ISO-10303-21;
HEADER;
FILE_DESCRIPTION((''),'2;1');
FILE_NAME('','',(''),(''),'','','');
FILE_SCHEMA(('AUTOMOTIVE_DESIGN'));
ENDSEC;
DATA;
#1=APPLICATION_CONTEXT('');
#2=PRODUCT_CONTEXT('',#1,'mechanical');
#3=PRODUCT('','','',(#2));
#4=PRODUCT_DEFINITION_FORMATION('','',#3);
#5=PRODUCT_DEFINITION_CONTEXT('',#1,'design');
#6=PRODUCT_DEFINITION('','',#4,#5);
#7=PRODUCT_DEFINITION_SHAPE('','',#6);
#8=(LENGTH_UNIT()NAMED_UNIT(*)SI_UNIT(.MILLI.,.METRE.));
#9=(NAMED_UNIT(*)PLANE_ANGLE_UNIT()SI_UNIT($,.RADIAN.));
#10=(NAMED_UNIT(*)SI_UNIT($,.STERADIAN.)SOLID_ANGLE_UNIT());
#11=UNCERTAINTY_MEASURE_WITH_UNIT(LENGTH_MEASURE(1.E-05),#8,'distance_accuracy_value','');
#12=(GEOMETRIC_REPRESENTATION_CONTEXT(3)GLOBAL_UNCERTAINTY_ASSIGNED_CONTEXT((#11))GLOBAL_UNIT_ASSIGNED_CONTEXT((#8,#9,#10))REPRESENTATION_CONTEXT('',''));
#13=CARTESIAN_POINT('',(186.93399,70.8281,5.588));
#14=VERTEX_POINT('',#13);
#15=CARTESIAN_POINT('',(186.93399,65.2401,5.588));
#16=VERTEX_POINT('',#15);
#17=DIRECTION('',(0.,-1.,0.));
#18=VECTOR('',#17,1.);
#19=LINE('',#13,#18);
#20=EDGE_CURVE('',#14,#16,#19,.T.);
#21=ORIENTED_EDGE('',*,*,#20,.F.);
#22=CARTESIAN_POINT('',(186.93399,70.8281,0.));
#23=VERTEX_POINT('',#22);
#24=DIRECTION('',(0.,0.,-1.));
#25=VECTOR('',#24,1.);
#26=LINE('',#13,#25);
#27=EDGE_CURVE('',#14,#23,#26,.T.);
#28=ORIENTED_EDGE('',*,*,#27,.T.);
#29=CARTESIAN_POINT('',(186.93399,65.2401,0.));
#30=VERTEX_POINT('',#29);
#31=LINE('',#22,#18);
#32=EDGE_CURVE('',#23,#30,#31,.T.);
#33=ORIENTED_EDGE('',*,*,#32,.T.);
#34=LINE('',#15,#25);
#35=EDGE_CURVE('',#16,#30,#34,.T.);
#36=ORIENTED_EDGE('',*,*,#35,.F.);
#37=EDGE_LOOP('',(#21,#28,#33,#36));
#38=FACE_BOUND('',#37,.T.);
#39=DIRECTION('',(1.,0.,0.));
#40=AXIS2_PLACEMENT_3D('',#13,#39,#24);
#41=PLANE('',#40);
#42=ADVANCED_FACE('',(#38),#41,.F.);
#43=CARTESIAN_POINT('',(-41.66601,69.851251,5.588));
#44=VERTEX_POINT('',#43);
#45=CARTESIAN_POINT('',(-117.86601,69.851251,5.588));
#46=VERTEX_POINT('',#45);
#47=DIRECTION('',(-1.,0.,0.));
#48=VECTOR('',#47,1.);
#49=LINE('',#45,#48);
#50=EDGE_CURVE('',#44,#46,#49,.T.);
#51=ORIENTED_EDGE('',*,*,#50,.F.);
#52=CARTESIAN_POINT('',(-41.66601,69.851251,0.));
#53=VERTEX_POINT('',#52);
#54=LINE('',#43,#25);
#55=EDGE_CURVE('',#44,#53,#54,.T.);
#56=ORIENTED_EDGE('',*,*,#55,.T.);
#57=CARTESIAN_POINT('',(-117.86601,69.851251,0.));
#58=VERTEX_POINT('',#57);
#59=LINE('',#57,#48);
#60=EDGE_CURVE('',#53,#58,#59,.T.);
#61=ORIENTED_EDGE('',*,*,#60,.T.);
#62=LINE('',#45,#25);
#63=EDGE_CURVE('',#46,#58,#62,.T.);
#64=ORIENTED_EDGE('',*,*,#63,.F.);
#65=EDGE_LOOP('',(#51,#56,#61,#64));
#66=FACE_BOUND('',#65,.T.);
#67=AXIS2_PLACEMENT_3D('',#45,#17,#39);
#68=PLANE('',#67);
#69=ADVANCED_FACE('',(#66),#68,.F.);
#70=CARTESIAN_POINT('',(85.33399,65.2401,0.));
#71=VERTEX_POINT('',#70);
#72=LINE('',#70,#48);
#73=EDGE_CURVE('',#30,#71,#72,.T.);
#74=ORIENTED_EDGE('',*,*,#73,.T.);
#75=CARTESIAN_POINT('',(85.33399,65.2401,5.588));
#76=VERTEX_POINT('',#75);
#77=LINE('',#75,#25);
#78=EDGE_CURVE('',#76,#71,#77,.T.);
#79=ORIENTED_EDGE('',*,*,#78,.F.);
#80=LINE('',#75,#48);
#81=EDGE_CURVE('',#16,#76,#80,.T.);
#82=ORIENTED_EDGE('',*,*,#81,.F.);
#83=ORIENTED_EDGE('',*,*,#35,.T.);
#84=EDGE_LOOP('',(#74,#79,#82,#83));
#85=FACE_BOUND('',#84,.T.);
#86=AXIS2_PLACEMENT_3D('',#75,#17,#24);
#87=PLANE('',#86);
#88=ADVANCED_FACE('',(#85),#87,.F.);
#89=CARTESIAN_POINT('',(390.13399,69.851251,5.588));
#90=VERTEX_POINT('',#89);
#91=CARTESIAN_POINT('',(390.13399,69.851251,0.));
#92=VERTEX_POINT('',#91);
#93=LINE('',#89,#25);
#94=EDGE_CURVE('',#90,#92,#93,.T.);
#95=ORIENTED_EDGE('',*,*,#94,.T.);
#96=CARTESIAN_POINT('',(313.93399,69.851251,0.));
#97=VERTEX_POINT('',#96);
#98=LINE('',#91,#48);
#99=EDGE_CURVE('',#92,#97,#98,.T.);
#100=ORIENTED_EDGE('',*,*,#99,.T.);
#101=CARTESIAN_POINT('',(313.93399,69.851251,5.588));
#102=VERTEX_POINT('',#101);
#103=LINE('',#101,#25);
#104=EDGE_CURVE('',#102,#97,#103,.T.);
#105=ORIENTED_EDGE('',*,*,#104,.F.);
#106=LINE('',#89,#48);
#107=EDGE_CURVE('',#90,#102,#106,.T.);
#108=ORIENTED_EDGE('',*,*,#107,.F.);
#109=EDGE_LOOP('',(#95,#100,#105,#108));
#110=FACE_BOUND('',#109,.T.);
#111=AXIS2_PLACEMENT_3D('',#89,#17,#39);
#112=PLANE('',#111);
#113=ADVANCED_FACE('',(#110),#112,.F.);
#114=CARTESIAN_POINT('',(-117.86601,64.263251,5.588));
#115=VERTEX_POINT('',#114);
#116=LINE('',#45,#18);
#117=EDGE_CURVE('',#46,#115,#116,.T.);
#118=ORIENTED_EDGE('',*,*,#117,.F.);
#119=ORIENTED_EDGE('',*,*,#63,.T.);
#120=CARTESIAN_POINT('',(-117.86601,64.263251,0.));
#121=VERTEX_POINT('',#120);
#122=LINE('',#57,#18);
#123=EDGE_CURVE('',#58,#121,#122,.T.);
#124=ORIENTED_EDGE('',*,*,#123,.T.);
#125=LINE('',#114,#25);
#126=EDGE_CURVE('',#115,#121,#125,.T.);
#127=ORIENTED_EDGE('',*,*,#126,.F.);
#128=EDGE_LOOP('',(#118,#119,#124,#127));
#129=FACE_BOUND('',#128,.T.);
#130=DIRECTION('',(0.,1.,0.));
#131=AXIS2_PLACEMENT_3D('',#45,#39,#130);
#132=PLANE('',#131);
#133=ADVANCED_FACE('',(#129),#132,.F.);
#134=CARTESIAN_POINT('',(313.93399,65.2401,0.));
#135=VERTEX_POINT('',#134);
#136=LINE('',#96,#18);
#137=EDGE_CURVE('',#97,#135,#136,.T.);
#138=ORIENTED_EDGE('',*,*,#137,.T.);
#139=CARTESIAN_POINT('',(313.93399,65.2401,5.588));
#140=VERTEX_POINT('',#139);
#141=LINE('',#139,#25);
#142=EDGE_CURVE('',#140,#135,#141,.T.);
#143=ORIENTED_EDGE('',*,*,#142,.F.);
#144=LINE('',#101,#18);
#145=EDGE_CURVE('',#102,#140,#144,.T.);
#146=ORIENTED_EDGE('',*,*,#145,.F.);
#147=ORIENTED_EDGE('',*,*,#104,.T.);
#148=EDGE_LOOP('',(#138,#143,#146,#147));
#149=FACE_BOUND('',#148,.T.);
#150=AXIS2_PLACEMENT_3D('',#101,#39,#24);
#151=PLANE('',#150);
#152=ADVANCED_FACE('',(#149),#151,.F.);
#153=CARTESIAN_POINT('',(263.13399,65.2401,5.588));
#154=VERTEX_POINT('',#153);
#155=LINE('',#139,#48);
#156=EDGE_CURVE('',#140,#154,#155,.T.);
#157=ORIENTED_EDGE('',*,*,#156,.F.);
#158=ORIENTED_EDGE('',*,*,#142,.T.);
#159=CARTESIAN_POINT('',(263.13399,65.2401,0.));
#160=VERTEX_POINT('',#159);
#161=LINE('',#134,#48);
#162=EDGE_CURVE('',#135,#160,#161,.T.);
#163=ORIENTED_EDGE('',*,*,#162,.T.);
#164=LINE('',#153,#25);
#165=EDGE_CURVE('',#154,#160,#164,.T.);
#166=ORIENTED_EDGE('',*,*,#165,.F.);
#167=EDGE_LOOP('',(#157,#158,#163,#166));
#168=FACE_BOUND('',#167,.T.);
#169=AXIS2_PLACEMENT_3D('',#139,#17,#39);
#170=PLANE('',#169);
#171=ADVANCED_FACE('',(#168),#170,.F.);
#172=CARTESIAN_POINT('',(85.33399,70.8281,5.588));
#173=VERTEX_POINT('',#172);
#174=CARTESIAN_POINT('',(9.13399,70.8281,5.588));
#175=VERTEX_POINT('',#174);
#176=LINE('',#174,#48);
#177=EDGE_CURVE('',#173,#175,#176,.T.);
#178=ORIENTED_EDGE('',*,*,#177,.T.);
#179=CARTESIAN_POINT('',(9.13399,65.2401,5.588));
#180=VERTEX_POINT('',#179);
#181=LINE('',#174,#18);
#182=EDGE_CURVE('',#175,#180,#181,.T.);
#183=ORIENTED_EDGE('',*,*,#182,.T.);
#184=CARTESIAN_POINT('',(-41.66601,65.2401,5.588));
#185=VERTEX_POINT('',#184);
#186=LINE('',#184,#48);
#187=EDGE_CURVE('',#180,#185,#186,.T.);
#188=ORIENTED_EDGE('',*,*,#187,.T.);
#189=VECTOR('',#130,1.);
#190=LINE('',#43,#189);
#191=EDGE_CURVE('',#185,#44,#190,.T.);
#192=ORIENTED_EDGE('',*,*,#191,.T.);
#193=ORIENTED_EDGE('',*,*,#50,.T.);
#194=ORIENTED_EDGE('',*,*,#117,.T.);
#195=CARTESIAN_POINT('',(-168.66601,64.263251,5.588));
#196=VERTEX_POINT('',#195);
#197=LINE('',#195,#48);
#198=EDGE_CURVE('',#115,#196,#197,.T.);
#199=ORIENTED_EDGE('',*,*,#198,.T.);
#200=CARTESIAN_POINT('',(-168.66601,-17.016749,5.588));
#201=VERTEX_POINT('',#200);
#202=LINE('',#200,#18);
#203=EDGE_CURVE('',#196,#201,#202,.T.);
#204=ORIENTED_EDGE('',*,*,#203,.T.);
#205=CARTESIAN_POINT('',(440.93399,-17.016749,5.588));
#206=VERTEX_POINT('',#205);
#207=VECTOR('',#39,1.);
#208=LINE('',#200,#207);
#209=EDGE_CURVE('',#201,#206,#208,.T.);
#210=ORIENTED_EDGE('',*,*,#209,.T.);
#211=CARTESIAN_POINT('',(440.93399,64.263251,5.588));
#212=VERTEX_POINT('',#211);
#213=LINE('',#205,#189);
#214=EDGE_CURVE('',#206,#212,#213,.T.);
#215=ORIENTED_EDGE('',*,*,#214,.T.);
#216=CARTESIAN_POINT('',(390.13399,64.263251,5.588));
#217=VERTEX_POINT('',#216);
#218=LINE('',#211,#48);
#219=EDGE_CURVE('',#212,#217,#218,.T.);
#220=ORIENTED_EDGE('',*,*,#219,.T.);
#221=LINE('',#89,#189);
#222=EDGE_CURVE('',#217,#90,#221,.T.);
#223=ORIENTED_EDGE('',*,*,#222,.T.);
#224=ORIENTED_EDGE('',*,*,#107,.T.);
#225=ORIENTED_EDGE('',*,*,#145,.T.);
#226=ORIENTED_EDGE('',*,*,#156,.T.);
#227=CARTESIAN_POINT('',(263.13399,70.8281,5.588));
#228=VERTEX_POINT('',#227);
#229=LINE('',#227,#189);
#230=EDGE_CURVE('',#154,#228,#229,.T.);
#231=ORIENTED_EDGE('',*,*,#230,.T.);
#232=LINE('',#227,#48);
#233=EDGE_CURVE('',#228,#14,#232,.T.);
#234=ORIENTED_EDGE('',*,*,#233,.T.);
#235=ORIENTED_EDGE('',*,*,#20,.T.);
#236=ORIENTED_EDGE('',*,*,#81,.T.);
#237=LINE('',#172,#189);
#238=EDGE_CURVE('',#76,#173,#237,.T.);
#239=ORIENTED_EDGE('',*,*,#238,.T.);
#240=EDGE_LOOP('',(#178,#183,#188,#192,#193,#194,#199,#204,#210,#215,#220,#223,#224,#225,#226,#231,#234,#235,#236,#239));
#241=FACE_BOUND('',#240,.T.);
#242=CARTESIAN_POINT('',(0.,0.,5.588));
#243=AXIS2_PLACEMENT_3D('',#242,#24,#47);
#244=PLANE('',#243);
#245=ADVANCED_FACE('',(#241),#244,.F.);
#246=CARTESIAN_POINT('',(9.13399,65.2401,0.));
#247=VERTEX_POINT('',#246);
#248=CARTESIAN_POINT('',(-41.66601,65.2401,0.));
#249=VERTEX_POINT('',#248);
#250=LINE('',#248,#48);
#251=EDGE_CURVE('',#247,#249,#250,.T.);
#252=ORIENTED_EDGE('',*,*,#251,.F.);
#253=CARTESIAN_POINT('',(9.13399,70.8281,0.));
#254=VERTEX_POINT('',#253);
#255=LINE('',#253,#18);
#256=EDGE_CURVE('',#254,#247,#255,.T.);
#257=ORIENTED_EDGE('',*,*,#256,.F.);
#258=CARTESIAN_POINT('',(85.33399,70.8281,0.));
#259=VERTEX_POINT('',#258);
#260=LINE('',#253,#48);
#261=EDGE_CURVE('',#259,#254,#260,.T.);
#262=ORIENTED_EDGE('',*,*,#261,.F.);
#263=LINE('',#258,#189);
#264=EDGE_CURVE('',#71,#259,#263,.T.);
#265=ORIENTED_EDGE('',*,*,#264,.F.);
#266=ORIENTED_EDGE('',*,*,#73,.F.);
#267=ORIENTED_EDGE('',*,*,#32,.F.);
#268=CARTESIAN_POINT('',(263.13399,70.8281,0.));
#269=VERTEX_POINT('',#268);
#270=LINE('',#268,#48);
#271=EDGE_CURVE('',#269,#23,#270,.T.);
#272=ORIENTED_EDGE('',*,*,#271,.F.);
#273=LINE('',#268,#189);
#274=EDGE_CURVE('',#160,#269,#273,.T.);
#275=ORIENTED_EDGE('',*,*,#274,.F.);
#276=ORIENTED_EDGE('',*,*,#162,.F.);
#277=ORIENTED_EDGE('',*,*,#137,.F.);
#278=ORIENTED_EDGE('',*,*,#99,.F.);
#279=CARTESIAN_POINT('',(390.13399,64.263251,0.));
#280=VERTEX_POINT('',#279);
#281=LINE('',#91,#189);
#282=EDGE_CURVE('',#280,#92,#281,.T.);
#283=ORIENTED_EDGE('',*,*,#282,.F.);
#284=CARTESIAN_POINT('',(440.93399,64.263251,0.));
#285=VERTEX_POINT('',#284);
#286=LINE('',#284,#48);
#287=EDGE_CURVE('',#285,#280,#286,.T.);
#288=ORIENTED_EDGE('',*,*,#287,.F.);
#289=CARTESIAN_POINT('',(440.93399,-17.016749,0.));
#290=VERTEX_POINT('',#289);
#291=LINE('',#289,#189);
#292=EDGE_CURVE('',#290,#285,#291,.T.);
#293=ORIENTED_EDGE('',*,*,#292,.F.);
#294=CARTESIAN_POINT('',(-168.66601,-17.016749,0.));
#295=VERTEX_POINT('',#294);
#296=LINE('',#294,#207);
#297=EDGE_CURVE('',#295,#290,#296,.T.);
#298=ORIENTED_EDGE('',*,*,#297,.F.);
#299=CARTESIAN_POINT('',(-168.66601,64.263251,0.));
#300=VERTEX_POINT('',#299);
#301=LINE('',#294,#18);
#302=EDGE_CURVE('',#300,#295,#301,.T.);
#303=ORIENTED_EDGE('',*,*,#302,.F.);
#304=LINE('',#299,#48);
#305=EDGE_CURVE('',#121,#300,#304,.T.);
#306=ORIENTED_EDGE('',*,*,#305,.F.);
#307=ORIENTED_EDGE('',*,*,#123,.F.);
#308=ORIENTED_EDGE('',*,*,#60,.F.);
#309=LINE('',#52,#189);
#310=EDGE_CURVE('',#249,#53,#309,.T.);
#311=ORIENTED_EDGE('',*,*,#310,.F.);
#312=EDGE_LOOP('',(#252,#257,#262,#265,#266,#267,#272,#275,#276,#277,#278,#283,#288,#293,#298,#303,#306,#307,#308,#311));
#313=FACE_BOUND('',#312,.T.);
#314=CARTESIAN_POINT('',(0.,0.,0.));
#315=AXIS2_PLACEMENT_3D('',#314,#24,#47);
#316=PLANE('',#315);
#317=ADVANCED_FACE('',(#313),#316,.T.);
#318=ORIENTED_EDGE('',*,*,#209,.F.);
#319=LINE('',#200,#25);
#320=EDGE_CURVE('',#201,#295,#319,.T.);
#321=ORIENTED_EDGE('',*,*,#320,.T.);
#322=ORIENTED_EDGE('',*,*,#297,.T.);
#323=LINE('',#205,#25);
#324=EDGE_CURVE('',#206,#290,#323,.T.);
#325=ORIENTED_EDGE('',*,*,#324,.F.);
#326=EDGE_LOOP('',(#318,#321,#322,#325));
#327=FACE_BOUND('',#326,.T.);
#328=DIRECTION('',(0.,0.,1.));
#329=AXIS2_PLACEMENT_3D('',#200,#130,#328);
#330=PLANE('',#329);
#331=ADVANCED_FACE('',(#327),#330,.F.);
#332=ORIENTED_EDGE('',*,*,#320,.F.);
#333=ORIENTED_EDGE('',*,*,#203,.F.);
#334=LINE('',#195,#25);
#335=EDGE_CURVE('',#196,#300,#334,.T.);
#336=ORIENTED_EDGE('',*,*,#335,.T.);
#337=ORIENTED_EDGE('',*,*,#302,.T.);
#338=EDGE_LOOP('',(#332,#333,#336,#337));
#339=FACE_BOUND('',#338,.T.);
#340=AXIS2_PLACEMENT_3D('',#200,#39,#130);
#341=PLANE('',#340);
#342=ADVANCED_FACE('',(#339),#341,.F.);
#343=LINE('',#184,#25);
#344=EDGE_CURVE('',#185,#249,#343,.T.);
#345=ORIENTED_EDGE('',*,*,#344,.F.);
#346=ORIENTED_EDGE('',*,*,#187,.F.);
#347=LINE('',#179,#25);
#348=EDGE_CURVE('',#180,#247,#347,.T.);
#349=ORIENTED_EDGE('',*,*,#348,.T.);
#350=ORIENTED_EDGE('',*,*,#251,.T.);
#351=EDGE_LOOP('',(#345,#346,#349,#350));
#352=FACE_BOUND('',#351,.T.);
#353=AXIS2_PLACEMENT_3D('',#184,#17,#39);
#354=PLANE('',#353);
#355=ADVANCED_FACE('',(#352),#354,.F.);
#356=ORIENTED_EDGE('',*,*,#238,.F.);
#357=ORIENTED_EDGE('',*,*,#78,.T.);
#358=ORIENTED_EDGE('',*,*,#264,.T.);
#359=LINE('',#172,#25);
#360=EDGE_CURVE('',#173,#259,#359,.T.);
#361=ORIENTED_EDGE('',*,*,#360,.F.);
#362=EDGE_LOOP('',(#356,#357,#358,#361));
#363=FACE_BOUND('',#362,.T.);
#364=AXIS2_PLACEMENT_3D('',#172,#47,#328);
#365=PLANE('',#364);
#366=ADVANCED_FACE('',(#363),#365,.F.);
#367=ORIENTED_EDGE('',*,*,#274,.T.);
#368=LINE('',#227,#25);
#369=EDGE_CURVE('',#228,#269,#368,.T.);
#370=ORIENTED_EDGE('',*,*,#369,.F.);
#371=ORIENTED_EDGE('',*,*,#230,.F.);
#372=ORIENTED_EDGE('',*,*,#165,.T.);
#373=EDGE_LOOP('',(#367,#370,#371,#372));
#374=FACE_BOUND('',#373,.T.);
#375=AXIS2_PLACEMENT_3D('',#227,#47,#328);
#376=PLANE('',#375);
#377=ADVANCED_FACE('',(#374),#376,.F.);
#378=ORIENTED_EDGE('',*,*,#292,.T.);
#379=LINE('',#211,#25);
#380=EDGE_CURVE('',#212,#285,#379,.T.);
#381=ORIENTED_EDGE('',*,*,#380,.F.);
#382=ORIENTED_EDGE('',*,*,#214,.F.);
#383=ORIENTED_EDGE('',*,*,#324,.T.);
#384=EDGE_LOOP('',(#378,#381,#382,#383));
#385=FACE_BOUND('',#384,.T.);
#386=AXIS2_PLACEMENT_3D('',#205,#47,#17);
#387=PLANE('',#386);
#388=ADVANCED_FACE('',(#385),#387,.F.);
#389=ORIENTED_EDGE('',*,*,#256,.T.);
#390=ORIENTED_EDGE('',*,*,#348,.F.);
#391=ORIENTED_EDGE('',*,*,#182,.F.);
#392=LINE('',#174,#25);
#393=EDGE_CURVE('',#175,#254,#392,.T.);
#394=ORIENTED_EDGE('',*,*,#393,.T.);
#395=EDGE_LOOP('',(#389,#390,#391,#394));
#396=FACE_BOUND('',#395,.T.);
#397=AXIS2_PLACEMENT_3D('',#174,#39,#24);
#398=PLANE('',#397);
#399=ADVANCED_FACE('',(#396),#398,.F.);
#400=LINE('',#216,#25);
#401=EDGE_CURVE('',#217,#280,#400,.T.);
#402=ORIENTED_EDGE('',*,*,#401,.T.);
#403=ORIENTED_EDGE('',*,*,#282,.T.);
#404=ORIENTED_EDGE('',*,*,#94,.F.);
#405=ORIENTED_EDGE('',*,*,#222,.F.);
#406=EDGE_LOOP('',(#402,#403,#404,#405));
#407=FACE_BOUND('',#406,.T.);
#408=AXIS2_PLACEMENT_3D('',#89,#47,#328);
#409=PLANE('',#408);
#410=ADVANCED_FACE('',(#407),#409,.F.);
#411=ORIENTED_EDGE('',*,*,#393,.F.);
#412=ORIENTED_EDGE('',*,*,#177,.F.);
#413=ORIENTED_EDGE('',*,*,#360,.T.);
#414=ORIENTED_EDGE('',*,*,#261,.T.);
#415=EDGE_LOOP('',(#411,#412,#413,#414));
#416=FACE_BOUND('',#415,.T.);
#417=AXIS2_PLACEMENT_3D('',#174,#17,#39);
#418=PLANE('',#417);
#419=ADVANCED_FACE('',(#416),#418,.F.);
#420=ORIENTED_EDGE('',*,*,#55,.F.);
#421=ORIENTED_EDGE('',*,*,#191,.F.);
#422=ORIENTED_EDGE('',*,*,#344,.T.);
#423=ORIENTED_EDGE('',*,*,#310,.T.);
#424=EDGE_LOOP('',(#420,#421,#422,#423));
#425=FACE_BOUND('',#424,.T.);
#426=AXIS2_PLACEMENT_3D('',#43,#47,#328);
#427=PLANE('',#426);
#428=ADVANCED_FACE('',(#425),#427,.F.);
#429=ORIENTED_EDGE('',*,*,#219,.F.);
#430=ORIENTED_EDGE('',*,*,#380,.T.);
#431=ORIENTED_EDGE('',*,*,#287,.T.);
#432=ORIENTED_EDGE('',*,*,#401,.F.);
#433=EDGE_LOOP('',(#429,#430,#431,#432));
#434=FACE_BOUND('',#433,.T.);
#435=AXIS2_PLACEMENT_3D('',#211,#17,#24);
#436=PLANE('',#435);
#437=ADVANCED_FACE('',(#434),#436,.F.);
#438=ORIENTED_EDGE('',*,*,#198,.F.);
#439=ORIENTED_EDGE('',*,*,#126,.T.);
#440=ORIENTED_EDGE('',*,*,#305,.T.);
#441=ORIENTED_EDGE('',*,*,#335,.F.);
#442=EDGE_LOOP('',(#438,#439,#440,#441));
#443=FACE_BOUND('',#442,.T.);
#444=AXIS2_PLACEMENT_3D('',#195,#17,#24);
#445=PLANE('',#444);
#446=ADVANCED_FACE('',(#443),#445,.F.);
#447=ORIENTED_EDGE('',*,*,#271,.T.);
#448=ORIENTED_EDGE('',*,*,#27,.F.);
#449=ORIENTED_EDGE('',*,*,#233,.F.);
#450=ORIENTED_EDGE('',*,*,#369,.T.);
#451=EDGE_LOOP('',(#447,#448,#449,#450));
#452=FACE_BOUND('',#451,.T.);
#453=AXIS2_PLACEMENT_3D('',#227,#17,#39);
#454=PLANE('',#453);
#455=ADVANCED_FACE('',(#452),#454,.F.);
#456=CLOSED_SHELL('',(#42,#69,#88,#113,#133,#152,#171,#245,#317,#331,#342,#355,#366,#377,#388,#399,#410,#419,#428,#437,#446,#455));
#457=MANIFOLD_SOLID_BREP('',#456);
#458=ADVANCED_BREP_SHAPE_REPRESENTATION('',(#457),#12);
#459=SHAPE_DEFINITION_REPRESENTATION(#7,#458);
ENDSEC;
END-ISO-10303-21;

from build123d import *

# Parameters (mm, degrees)
BOSS_EXTRUDE1_DEPTH = 5.588


with BuildPart() as part:
    # Sketch1 → Boss-Extrude1 (new body)
    with BuildSketch(Plane.XY):
        Polygon((-117.866009852, 69.851251232), (-41.666009852, 69.851251232), (-41.666009852, 65.240100289), (9.133990148, 65.240100289), (9.133990148, 70.828100289), (85.333990148, 70.828100289), (85.333990148, 65.240100289), (186.933990148, 65.240100289), (186.933990148, 70.828100289), (263.133990148, 70.828100289), (263.133990148, 65.240100289), (313.933990148, 65.240100289), (313.933990148, 69.851251232), (390.133990148, 69.851251232), (390.133990148, 64.263251232), (440.933990148, 64.263251232), (440.933990148, -17.016748768), (-168.666009852, -17.016748768), (-168.666009852, 64.263251232), (-117.866009852, 64.263251232), align=None)
    extrude(amount=BOSS_EXTRUDE1_DEPTH)


solid = part.part
